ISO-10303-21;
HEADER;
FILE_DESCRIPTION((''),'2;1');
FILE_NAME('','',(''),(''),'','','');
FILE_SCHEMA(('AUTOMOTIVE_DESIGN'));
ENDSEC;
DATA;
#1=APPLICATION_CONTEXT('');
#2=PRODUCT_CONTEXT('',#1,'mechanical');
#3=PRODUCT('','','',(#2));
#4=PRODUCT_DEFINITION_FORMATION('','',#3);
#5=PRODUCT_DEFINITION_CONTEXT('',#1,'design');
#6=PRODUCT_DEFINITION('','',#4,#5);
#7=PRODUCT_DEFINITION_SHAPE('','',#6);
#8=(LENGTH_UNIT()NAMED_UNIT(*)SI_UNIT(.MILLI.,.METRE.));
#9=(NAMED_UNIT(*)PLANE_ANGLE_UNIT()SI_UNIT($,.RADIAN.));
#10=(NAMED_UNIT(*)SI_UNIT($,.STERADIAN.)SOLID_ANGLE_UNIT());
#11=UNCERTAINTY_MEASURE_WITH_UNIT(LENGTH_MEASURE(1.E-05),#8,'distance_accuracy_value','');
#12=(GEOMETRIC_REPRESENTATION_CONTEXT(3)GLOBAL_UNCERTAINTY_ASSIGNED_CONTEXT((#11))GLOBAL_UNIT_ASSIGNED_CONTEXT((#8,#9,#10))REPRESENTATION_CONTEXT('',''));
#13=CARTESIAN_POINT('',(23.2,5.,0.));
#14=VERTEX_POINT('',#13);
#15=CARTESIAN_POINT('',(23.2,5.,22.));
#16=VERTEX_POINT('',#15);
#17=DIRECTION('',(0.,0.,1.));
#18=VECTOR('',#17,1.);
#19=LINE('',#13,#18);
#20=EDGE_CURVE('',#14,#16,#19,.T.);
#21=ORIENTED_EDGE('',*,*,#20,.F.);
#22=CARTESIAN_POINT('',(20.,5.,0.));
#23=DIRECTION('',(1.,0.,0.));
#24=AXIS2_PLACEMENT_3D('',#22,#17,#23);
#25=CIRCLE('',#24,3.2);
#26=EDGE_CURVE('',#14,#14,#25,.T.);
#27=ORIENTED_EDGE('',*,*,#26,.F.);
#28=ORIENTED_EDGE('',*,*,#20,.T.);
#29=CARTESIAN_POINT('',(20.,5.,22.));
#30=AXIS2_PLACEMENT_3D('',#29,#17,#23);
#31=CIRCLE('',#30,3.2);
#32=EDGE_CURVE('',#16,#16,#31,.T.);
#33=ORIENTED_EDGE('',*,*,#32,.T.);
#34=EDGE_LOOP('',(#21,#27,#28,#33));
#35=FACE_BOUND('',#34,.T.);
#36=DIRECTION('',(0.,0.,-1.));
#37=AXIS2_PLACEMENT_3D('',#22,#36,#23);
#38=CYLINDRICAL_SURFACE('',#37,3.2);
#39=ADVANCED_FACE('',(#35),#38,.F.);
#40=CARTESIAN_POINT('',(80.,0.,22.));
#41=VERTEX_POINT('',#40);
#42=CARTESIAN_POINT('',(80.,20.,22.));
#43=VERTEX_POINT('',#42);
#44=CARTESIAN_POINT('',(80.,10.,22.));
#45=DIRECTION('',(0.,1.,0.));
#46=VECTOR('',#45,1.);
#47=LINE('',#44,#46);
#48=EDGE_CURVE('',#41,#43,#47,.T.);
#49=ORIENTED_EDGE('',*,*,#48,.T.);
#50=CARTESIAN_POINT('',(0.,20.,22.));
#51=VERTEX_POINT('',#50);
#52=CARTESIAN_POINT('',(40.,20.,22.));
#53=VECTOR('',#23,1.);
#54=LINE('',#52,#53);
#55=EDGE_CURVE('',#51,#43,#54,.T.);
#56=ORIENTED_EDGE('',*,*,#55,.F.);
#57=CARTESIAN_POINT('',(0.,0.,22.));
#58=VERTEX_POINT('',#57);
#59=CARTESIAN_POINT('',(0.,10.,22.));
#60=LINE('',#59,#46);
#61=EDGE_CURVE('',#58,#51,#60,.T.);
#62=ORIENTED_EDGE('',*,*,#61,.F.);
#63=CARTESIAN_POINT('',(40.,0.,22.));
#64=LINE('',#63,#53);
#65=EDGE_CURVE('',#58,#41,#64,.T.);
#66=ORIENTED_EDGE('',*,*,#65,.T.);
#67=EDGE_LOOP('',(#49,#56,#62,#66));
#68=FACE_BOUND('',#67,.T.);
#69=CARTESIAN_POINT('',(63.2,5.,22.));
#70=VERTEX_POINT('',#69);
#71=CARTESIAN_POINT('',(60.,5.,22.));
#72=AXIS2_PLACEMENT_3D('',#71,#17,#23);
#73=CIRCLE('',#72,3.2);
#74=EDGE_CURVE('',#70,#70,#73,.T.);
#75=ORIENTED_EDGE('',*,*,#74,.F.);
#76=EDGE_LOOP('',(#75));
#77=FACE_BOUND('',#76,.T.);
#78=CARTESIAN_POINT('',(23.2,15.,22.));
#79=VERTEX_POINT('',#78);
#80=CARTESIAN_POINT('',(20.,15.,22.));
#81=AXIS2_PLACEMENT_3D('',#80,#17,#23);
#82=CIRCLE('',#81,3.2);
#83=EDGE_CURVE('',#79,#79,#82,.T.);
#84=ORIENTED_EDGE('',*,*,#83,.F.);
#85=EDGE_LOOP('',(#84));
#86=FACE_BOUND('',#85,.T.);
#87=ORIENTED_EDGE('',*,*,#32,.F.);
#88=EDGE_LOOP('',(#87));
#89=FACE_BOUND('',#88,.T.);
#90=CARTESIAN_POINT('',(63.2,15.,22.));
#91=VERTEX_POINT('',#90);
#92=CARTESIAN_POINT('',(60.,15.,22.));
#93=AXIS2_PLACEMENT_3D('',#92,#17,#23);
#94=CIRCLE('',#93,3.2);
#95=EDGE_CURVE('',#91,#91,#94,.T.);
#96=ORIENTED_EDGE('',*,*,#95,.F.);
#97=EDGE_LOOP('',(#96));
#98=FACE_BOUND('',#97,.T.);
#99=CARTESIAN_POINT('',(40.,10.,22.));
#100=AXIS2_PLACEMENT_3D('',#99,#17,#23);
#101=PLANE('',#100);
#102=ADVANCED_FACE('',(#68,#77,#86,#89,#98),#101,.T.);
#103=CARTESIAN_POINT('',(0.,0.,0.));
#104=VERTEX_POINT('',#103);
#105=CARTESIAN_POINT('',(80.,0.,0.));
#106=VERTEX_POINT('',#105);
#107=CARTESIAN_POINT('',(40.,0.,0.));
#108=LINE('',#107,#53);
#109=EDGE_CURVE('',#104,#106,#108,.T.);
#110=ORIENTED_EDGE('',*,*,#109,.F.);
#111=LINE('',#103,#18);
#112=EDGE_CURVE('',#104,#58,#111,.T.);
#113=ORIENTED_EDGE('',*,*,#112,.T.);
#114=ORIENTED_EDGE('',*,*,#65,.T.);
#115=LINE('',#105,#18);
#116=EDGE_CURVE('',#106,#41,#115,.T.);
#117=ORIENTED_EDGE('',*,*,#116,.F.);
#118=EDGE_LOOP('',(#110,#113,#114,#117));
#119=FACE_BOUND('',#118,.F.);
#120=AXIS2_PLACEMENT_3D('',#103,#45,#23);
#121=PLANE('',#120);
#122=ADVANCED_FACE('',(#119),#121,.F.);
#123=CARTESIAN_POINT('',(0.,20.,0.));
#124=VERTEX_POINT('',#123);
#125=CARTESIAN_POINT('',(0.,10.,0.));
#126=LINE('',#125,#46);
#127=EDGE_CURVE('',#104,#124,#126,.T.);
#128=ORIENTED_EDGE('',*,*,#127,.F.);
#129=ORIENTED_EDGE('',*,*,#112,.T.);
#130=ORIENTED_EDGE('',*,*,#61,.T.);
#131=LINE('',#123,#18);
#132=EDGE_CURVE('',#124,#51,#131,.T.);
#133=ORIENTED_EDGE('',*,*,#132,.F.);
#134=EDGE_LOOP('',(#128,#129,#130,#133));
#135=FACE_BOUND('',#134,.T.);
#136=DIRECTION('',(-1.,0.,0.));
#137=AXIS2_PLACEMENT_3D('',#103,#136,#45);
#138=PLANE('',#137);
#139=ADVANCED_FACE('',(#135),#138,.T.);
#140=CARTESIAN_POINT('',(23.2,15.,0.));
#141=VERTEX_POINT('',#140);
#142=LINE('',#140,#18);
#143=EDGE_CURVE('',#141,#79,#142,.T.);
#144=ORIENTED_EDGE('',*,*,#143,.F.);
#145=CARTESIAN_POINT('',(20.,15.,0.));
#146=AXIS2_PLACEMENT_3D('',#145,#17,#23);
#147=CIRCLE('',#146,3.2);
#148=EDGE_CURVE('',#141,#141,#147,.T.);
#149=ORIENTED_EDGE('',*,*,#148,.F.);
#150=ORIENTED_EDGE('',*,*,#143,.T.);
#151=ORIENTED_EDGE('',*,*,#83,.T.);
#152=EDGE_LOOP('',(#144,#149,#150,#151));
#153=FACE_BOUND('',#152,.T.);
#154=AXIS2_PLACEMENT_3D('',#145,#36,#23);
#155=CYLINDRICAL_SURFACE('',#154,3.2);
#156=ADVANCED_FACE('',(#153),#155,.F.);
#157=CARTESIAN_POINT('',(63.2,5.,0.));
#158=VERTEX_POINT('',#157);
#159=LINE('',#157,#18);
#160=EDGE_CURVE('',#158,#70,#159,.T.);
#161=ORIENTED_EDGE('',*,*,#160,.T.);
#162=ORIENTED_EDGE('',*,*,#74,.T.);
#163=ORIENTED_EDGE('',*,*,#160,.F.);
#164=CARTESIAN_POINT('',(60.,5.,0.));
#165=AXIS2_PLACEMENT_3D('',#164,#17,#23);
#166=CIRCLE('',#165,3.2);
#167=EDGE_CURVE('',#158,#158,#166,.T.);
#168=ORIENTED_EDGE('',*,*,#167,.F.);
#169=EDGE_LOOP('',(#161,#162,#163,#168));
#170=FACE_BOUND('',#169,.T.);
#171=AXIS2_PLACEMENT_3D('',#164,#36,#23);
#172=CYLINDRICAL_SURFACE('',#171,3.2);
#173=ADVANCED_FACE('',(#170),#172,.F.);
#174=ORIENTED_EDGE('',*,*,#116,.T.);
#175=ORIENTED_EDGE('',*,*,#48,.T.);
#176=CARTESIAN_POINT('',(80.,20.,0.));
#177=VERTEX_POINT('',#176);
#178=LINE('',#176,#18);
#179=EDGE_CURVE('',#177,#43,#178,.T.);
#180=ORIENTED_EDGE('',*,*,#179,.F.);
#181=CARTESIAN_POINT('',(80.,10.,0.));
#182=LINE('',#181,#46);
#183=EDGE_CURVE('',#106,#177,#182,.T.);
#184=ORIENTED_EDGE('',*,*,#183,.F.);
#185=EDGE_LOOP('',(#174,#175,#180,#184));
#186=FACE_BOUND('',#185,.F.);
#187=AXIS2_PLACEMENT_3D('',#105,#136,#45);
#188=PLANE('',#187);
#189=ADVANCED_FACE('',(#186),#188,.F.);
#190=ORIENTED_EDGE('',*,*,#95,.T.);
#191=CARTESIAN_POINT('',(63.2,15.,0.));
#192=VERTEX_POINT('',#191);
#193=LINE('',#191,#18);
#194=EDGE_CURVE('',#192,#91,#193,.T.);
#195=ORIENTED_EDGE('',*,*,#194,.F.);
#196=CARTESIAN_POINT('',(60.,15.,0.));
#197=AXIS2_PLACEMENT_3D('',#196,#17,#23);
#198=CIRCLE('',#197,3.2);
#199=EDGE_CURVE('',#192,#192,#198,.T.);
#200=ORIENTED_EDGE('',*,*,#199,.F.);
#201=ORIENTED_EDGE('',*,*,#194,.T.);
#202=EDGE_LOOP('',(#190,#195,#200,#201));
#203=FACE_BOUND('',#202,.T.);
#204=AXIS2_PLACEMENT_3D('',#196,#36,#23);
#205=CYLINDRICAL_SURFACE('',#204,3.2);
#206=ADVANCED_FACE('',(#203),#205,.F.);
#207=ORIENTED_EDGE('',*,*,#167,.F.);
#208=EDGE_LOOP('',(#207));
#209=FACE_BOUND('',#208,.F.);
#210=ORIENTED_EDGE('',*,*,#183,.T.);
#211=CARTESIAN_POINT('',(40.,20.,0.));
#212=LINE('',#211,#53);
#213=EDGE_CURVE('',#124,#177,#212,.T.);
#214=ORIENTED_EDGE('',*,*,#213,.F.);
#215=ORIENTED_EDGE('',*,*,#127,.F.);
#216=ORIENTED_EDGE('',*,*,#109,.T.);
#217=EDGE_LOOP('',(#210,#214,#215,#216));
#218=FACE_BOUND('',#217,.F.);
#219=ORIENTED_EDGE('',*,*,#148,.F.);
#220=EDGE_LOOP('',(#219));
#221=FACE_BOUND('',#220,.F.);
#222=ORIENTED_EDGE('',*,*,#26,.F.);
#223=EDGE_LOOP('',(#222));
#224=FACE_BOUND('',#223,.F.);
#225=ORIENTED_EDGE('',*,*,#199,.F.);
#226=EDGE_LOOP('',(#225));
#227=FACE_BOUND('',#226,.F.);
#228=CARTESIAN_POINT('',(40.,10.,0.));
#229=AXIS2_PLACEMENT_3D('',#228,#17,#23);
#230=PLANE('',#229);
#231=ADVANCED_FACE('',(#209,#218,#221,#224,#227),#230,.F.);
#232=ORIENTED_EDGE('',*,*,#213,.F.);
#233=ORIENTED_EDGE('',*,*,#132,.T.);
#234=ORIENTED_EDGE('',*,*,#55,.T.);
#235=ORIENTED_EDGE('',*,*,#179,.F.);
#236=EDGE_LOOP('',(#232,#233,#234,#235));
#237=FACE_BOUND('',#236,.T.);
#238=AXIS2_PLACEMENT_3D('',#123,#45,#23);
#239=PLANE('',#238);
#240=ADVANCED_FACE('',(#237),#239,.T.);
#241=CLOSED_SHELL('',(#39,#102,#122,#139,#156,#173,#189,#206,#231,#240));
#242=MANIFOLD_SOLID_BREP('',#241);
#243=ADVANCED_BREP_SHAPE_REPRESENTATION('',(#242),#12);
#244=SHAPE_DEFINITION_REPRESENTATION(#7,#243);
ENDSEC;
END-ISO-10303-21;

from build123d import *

# Parameters (mm, degrees)
SKETCH_W  = 80
SKETCH_H  = 20
SKETCH_R  = 3.2
PAD_DEPTH = 22


with BuildPart() as part:
    # Sketch → Pad (new body)
    with BuildSketch(Plane.XY):
        with Locations((40, 10)):
            Rectangle(SKETCH_W, SKETCH_H)
        with Locations((20, 15)):
            Circle(SKETCH_R, mode=Mode.SUBTRACT)
        with Locations((20, 5)):
            Circle(SKETCH_R, mode=Mode.SUBTRACT)
        with Locations((60, 15)):
            Circle(SKETCH_R, mode=Mode.SUBTRACT)
        with Locations((60, 5)):
            Circle(SKETCH_R, mode=Mode.SUBTRACT)
    extrude(amount=PAD_DEPTH)


solid = part.part
